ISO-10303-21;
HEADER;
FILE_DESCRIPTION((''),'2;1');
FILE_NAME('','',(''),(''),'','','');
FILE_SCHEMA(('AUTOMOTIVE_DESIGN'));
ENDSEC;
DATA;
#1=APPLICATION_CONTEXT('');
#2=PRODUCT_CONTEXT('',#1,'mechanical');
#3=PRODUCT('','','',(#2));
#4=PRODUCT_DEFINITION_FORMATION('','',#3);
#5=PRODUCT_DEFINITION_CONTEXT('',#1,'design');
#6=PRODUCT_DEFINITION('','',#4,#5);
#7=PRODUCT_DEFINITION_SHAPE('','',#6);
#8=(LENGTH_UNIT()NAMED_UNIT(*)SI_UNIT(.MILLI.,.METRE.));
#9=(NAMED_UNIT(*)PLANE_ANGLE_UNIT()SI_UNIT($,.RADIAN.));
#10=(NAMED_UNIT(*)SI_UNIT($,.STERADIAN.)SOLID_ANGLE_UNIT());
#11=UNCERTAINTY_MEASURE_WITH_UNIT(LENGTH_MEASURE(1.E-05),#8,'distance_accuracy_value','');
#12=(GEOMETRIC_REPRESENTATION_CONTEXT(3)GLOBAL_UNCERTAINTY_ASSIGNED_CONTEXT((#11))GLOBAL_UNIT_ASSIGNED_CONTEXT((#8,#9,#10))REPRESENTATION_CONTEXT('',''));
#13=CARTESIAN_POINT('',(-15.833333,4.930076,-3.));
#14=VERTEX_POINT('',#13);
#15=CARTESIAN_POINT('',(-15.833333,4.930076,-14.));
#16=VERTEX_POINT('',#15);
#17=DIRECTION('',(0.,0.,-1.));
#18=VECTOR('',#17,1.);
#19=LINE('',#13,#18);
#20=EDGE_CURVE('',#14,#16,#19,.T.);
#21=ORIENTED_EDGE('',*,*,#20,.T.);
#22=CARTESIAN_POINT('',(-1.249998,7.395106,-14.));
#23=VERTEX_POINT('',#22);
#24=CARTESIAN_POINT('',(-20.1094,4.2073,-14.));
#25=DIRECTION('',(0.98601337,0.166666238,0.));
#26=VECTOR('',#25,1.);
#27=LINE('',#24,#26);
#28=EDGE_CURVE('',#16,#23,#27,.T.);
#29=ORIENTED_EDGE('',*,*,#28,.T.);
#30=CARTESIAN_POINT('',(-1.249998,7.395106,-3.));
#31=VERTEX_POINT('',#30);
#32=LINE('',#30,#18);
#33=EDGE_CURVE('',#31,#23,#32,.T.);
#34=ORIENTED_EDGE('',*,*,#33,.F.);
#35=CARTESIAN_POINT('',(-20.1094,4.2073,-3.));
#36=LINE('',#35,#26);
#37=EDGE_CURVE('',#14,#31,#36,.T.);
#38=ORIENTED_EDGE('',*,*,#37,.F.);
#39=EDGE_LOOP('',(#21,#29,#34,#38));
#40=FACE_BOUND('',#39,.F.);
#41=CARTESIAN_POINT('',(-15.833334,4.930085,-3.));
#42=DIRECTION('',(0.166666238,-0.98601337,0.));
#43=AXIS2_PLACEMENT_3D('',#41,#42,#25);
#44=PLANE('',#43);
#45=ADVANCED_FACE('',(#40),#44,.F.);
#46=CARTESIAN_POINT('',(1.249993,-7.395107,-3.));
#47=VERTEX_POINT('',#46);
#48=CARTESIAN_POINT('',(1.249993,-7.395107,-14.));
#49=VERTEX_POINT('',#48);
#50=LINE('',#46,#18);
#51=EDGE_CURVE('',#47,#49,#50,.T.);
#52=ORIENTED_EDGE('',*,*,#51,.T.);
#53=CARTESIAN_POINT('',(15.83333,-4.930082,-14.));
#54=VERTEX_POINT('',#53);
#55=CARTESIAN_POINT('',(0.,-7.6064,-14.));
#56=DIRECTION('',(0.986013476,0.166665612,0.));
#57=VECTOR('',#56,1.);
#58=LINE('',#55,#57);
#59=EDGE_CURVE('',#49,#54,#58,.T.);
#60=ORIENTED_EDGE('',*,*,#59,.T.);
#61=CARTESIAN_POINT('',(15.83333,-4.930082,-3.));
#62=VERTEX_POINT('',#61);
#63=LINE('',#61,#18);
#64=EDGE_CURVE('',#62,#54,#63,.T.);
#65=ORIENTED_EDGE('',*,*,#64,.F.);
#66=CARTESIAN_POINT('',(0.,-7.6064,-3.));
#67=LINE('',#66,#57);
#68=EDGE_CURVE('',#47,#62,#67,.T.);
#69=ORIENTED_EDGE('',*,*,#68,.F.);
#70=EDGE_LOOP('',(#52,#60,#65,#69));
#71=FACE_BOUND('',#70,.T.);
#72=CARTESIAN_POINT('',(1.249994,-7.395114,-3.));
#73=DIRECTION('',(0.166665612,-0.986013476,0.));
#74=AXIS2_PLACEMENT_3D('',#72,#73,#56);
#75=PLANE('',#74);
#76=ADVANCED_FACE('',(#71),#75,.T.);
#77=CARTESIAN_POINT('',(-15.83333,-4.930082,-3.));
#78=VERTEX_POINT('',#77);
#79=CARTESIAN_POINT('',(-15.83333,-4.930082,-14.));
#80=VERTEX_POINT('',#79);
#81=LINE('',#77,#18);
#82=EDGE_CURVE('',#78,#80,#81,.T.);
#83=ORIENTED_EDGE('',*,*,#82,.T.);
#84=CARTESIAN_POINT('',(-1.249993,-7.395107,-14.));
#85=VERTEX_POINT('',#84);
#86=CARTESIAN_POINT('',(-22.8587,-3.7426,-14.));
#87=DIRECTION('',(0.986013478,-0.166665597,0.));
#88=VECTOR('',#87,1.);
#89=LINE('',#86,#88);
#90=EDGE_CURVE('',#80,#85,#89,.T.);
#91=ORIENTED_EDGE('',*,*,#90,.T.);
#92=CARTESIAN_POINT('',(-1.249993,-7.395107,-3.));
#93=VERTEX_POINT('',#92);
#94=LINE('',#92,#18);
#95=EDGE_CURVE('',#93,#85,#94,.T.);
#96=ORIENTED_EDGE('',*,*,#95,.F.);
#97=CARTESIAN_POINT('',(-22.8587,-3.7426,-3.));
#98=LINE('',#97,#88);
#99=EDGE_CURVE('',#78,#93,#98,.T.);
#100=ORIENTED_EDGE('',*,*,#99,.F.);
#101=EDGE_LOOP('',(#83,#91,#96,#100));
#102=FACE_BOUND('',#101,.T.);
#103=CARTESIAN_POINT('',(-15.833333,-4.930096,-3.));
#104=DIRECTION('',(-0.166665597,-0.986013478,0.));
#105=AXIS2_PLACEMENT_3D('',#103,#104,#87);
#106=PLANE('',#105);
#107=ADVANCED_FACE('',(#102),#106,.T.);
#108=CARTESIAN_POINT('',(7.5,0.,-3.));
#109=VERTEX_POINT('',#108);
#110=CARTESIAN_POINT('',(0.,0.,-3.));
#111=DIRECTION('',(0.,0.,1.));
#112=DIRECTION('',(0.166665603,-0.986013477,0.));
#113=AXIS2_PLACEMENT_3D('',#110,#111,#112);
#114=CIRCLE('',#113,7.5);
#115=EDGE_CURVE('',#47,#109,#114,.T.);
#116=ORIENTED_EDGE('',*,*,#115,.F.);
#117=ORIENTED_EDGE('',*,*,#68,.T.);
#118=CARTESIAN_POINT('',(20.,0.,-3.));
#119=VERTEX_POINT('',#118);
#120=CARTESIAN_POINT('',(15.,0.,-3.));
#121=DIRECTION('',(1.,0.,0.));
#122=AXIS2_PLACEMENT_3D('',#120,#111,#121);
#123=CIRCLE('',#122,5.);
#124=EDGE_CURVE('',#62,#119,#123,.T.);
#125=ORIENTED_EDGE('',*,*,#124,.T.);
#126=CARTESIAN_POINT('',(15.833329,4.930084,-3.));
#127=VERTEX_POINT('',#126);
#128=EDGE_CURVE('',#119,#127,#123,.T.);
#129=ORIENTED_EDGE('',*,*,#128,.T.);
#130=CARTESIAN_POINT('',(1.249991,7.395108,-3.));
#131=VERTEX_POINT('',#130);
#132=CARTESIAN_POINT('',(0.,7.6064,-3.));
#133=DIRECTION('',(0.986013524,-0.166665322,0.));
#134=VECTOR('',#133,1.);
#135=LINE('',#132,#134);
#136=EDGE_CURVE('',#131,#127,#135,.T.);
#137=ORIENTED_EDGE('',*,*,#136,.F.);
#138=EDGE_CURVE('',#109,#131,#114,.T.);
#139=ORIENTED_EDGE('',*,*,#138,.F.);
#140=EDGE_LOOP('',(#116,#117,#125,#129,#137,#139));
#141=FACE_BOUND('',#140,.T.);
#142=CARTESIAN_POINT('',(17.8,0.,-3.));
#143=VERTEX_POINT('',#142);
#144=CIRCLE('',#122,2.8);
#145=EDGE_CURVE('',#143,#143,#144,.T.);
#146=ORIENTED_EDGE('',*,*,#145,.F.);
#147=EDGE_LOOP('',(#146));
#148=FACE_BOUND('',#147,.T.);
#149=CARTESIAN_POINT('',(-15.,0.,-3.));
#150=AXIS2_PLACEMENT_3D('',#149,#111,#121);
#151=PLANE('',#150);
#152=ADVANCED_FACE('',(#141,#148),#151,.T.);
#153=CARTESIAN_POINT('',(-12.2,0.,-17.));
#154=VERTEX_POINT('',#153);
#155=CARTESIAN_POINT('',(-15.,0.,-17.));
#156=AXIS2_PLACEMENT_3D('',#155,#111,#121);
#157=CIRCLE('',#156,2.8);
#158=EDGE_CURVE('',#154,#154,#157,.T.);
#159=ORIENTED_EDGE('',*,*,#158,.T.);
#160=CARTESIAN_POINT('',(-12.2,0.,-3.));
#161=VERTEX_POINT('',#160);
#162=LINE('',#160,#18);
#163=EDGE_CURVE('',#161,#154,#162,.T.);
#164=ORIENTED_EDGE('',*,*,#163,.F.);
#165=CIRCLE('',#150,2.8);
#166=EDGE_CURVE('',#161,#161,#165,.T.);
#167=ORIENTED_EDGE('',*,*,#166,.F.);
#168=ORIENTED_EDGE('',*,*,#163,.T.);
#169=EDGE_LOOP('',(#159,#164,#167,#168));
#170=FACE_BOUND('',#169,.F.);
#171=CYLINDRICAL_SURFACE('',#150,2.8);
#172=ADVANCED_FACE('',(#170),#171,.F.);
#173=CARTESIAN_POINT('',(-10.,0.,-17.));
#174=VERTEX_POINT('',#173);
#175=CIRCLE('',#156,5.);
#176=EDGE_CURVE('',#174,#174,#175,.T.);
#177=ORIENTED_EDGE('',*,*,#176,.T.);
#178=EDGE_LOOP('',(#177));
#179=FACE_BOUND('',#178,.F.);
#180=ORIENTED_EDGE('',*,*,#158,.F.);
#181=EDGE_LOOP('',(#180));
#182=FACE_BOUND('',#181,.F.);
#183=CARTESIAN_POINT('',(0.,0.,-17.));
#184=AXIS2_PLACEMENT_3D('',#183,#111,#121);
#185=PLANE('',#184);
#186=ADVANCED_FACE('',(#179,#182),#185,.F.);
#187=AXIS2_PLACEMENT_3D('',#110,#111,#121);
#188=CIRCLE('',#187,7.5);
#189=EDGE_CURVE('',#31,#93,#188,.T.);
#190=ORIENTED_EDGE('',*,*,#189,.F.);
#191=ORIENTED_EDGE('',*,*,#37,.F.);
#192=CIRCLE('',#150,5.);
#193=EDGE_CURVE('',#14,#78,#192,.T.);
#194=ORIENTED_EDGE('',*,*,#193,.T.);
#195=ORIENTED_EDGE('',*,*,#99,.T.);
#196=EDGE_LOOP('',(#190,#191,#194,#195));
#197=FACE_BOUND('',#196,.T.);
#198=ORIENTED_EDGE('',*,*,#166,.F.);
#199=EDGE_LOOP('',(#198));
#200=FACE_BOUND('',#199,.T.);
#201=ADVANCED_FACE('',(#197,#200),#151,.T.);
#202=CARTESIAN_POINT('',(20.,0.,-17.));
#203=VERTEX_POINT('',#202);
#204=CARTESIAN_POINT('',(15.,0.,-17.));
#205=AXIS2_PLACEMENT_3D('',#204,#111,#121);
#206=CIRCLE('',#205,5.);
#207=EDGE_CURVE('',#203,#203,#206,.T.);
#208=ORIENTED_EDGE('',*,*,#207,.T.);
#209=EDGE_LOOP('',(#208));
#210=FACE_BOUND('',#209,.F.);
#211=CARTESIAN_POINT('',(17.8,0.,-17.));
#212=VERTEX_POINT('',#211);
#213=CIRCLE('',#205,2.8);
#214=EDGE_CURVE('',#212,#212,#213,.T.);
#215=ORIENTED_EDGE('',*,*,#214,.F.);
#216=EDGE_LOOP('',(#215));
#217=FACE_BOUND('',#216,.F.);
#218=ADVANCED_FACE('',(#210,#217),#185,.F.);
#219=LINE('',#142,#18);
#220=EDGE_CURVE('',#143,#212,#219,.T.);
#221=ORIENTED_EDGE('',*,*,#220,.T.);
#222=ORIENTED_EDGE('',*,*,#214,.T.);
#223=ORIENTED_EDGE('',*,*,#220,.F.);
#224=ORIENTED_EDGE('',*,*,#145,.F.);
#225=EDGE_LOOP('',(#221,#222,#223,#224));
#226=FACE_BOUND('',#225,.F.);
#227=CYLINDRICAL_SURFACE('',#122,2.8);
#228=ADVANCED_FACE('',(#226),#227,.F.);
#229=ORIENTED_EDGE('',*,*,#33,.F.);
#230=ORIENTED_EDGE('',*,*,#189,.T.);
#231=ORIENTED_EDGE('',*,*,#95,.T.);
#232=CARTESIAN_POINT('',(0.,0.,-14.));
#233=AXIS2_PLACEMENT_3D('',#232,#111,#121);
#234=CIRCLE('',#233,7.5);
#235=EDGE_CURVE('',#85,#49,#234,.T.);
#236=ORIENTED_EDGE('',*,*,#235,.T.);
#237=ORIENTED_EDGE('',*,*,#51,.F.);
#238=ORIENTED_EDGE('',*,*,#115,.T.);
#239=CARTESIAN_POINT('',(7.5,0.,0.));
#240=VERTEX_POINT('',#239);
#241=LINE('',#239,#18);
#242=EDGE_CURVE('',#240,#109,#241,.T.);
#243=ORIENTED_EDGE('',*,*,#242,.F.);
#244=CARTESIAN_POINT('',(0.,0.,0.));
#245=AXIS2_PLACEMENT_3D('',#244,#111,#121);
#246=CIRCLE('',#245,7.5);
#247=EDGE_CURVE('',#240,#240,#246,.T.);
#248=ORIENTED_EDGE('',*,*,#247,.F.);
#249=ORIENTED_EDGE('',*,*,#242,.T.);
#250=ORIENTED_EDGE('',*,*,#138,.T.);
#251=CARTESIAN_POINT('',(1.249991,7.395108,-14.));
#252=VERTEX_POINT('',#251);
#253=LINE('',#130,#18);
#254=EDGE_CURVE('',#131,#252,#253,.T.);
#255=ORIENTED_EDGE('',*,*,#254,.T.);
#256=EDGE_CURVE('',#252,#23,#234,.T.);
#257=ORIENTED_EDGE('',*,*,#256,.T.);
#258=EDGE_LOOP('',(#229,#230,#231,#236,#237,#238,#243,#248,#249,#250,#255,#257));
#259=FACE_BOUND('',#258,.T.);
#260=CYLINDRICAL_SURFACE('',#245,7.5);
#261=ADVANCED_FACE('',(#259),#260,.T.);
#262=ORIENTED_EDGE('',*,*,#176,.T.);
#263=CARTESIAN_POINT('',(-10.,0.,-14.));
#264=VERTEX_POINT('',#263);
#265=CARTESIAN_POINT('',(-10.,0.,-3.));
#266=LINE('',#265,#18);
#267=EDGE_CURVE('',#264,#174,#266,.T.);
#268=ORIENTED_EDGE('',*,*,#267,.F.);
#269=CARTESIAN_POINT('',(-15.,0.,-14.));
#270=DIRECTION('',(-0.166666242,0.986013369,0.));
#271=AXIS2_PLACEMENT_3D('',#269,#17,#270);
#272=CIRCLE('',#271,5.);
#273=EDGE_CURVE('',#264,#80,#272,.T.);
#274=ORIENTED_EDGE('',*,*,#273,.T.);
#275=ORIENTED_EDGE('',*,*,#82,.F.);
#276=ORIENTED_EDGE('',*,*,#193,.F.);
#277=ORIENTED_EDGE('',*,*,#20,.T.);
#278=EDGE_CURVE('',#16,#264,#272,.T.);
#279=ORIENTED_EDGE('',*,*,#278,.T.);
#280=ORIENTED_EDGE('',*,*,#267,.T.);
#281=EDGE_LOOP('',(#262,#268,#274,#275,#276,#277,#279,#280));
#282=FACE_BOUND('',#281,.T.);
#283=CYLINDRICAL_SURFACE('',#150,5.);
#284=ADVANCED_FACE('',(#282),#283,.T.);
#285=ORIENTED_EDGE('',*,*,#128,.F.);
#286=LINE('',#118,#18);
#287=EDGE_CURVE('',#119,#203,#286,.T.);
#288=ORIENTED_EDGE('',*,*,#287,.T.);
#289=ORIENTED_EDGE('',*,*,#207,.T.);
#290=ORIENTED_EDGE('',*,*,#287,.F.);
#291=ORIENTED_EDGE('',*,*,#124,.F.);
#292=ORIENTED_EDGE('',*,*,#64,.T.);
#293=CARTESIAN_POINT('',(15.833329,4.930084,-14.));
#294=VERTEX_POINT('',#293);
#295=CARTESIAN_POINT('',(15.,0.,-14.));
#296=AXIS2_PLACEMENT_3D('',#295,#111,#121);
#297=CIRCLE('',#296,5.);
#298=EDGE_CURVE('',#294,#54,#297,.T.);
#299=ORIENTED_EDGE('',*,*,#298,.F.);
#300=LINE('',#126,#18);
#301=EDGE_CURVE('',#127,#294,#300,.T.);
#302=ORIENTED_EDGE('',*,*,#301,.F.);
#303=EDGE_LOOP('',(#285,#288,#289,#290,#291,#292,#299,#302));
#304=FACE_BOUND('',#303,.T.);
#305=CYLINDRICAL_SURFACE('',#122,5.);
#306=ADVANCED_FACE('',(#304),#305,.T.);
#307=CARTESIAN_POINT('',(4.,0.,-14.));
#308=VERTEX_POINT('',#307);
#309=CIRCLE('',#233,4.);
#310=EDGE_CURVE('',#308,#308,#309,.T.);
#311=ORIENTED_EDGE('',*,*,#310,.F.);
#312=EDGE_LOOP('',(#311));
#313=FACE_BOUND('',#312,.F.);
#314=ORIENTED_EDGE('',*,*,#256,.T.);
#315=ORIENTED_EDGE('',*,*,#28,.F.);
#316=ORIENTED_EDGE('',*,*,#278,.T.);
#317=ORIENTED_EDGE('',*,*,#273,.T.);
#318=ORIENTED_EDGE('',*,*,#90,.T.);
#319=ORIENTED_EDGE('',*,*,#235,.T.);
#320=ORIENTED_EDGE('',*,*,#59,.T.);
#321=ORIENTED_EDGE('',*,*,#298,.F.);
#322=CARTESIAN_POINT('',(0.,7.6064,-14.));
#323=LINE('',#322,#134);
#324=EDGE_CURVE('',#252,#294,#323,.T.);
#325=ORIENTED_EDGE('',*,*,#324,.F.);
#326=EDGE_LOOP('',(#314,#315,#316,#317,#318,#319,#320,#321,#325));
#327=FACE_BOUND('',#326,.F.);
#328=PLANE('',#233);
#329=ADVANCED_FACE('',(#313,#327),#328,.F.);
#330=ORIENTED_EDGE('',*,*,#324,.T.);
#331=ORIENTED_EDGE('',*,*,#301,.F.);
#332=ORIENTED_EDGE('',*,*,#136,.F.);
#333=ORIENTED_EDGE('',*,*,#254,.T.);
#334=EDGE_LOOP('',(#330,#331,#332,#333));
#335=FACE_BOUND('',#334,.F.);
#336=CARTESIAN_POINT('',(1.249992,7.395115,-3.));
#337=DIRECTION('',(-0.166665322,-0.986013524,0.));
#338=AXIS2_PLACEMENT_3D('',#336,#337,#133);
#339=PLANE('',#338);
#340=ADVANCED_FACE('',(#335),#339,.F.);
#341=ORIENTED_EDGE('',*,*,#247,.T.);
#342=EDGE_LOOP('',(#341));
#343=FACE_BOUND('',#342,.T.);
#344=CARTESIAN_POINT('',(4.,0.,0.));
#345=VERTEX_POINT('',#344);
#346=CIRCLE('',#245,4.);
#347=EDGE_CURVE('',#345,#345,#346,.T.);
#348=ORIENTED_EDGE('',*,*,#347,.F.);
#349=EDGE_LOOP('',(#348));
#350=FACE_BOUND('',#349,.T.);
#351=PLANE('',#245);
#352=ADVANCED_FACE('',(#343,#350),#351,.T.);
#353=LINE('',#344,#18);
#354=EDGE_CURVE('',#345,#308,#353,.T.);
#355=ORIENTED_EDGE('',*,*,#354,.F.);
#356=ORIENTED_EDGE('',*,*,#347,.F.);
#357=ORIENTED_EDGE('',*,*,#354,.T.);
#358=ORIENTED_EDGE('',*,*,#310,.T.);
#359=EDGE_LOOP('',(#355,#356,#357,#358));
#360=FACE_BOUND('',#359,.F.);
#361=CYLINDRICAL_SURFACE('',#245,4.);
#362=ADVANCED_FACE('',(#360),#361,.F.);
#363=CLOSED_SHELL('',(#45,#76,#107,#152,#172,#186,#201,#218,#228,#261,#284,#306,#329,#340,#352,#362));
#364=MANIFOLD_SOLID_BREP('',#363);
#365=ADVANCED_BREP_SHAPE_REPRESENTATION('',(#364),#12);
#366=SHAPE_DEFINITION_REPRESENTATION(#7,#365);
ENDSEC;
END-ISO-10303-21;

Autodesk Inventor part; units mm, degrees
ref_plane "YZ Plane" through (0, 0, 0) normal (1, 0, 0) x (0, 1, 0)
ref_plane "XZ Plane" through (0, 0, 0) normal (0, 1, 0) x (-1, 0, 0)
sketch "Skizze1" plane through (0, 0, 0) normal (0, 0, 1) x (1, 0, 0)
  circle A0 centre (0, 0) radius 7.5
  circle A1 centre (0, 0) radius 4
  dimension "d0" = 15
  dimension "d3" = 8
extrude "Extrusion1" add sketch "Skizze1" against normal blind 14
ref_plane "Arbeitsebene1" through (0, 0, -3) normal (0, 0, 1) x (1, 0, 0)
sketch "Skizze2" plane through (0, 0, -3) normal (0, 0, 1) x (1, 0, 0)
  circle A0 centre (-15, 0) radius 5
  circle A1 centre (15, 0) radius 5
  circle A2 centre (-15, 0) radius 2.8
  circle A3 centre (15, 0) radius 2.8
  point P0 (0, 0)
  dimension "d5" = 10
  dimension "d6" = 10
  dimension "d7" = 15
  dimension "d8" = 15
  dimension "d9" = 5.6
  dimension "d10" = 5.6
extrude "Extrusion2" add sketch "Skizze2" against normal blind 14
sketch "Skizze3" plane through (-15, 0, -3) normal (0, 0, 1) x (1, 0, 0)
  circle A0 centre (0, 0) radius 5 projected
  circle A1 centre (0, 0) radius 2.8 projected
  circle A2 centre (15, 0) radius 7.5 projected
  circle A3 centre (15, 0) radius 4 projected
  circle A4 centre (30, 0) radius 5 projected
  circle A5 centre (30, 0) radius 2.8 projected
  circle A6 centre (15, 0) radius 7.5 projected
  line L0 (-5.1094, 4.2073) -> (15, 7.6064)
  line L1 (15, 7.6064) -> (38.7432, 3.5931)
  circle A7 centre (30, 0) radius 5 projected
  line L2 (-7.8587, -3.7426) -> (15, -7.6064)
  line L3 (15, -7.6064) -> (39.1845, -3.5185)
  point P0 (16.25, -7.3951)
  point P1 (30.8333, -4.9301)
  point P2 (30.8333, 4.9301)
  point P3 (16.25, 7.3951)
  point P4 (-0.8333, -4.9301)
  point P5 (13.75, -7.3951)
  point P6 (13.75, 7.3951)
  point P7 (-0.8333, 4.9301)
extrude "Extrusion3" add sketch "Skizze3" against normal blind 11 contours A0 L0 A2 L2 | L1 A4 L3 A2
properties part number "250_CameraMount"
